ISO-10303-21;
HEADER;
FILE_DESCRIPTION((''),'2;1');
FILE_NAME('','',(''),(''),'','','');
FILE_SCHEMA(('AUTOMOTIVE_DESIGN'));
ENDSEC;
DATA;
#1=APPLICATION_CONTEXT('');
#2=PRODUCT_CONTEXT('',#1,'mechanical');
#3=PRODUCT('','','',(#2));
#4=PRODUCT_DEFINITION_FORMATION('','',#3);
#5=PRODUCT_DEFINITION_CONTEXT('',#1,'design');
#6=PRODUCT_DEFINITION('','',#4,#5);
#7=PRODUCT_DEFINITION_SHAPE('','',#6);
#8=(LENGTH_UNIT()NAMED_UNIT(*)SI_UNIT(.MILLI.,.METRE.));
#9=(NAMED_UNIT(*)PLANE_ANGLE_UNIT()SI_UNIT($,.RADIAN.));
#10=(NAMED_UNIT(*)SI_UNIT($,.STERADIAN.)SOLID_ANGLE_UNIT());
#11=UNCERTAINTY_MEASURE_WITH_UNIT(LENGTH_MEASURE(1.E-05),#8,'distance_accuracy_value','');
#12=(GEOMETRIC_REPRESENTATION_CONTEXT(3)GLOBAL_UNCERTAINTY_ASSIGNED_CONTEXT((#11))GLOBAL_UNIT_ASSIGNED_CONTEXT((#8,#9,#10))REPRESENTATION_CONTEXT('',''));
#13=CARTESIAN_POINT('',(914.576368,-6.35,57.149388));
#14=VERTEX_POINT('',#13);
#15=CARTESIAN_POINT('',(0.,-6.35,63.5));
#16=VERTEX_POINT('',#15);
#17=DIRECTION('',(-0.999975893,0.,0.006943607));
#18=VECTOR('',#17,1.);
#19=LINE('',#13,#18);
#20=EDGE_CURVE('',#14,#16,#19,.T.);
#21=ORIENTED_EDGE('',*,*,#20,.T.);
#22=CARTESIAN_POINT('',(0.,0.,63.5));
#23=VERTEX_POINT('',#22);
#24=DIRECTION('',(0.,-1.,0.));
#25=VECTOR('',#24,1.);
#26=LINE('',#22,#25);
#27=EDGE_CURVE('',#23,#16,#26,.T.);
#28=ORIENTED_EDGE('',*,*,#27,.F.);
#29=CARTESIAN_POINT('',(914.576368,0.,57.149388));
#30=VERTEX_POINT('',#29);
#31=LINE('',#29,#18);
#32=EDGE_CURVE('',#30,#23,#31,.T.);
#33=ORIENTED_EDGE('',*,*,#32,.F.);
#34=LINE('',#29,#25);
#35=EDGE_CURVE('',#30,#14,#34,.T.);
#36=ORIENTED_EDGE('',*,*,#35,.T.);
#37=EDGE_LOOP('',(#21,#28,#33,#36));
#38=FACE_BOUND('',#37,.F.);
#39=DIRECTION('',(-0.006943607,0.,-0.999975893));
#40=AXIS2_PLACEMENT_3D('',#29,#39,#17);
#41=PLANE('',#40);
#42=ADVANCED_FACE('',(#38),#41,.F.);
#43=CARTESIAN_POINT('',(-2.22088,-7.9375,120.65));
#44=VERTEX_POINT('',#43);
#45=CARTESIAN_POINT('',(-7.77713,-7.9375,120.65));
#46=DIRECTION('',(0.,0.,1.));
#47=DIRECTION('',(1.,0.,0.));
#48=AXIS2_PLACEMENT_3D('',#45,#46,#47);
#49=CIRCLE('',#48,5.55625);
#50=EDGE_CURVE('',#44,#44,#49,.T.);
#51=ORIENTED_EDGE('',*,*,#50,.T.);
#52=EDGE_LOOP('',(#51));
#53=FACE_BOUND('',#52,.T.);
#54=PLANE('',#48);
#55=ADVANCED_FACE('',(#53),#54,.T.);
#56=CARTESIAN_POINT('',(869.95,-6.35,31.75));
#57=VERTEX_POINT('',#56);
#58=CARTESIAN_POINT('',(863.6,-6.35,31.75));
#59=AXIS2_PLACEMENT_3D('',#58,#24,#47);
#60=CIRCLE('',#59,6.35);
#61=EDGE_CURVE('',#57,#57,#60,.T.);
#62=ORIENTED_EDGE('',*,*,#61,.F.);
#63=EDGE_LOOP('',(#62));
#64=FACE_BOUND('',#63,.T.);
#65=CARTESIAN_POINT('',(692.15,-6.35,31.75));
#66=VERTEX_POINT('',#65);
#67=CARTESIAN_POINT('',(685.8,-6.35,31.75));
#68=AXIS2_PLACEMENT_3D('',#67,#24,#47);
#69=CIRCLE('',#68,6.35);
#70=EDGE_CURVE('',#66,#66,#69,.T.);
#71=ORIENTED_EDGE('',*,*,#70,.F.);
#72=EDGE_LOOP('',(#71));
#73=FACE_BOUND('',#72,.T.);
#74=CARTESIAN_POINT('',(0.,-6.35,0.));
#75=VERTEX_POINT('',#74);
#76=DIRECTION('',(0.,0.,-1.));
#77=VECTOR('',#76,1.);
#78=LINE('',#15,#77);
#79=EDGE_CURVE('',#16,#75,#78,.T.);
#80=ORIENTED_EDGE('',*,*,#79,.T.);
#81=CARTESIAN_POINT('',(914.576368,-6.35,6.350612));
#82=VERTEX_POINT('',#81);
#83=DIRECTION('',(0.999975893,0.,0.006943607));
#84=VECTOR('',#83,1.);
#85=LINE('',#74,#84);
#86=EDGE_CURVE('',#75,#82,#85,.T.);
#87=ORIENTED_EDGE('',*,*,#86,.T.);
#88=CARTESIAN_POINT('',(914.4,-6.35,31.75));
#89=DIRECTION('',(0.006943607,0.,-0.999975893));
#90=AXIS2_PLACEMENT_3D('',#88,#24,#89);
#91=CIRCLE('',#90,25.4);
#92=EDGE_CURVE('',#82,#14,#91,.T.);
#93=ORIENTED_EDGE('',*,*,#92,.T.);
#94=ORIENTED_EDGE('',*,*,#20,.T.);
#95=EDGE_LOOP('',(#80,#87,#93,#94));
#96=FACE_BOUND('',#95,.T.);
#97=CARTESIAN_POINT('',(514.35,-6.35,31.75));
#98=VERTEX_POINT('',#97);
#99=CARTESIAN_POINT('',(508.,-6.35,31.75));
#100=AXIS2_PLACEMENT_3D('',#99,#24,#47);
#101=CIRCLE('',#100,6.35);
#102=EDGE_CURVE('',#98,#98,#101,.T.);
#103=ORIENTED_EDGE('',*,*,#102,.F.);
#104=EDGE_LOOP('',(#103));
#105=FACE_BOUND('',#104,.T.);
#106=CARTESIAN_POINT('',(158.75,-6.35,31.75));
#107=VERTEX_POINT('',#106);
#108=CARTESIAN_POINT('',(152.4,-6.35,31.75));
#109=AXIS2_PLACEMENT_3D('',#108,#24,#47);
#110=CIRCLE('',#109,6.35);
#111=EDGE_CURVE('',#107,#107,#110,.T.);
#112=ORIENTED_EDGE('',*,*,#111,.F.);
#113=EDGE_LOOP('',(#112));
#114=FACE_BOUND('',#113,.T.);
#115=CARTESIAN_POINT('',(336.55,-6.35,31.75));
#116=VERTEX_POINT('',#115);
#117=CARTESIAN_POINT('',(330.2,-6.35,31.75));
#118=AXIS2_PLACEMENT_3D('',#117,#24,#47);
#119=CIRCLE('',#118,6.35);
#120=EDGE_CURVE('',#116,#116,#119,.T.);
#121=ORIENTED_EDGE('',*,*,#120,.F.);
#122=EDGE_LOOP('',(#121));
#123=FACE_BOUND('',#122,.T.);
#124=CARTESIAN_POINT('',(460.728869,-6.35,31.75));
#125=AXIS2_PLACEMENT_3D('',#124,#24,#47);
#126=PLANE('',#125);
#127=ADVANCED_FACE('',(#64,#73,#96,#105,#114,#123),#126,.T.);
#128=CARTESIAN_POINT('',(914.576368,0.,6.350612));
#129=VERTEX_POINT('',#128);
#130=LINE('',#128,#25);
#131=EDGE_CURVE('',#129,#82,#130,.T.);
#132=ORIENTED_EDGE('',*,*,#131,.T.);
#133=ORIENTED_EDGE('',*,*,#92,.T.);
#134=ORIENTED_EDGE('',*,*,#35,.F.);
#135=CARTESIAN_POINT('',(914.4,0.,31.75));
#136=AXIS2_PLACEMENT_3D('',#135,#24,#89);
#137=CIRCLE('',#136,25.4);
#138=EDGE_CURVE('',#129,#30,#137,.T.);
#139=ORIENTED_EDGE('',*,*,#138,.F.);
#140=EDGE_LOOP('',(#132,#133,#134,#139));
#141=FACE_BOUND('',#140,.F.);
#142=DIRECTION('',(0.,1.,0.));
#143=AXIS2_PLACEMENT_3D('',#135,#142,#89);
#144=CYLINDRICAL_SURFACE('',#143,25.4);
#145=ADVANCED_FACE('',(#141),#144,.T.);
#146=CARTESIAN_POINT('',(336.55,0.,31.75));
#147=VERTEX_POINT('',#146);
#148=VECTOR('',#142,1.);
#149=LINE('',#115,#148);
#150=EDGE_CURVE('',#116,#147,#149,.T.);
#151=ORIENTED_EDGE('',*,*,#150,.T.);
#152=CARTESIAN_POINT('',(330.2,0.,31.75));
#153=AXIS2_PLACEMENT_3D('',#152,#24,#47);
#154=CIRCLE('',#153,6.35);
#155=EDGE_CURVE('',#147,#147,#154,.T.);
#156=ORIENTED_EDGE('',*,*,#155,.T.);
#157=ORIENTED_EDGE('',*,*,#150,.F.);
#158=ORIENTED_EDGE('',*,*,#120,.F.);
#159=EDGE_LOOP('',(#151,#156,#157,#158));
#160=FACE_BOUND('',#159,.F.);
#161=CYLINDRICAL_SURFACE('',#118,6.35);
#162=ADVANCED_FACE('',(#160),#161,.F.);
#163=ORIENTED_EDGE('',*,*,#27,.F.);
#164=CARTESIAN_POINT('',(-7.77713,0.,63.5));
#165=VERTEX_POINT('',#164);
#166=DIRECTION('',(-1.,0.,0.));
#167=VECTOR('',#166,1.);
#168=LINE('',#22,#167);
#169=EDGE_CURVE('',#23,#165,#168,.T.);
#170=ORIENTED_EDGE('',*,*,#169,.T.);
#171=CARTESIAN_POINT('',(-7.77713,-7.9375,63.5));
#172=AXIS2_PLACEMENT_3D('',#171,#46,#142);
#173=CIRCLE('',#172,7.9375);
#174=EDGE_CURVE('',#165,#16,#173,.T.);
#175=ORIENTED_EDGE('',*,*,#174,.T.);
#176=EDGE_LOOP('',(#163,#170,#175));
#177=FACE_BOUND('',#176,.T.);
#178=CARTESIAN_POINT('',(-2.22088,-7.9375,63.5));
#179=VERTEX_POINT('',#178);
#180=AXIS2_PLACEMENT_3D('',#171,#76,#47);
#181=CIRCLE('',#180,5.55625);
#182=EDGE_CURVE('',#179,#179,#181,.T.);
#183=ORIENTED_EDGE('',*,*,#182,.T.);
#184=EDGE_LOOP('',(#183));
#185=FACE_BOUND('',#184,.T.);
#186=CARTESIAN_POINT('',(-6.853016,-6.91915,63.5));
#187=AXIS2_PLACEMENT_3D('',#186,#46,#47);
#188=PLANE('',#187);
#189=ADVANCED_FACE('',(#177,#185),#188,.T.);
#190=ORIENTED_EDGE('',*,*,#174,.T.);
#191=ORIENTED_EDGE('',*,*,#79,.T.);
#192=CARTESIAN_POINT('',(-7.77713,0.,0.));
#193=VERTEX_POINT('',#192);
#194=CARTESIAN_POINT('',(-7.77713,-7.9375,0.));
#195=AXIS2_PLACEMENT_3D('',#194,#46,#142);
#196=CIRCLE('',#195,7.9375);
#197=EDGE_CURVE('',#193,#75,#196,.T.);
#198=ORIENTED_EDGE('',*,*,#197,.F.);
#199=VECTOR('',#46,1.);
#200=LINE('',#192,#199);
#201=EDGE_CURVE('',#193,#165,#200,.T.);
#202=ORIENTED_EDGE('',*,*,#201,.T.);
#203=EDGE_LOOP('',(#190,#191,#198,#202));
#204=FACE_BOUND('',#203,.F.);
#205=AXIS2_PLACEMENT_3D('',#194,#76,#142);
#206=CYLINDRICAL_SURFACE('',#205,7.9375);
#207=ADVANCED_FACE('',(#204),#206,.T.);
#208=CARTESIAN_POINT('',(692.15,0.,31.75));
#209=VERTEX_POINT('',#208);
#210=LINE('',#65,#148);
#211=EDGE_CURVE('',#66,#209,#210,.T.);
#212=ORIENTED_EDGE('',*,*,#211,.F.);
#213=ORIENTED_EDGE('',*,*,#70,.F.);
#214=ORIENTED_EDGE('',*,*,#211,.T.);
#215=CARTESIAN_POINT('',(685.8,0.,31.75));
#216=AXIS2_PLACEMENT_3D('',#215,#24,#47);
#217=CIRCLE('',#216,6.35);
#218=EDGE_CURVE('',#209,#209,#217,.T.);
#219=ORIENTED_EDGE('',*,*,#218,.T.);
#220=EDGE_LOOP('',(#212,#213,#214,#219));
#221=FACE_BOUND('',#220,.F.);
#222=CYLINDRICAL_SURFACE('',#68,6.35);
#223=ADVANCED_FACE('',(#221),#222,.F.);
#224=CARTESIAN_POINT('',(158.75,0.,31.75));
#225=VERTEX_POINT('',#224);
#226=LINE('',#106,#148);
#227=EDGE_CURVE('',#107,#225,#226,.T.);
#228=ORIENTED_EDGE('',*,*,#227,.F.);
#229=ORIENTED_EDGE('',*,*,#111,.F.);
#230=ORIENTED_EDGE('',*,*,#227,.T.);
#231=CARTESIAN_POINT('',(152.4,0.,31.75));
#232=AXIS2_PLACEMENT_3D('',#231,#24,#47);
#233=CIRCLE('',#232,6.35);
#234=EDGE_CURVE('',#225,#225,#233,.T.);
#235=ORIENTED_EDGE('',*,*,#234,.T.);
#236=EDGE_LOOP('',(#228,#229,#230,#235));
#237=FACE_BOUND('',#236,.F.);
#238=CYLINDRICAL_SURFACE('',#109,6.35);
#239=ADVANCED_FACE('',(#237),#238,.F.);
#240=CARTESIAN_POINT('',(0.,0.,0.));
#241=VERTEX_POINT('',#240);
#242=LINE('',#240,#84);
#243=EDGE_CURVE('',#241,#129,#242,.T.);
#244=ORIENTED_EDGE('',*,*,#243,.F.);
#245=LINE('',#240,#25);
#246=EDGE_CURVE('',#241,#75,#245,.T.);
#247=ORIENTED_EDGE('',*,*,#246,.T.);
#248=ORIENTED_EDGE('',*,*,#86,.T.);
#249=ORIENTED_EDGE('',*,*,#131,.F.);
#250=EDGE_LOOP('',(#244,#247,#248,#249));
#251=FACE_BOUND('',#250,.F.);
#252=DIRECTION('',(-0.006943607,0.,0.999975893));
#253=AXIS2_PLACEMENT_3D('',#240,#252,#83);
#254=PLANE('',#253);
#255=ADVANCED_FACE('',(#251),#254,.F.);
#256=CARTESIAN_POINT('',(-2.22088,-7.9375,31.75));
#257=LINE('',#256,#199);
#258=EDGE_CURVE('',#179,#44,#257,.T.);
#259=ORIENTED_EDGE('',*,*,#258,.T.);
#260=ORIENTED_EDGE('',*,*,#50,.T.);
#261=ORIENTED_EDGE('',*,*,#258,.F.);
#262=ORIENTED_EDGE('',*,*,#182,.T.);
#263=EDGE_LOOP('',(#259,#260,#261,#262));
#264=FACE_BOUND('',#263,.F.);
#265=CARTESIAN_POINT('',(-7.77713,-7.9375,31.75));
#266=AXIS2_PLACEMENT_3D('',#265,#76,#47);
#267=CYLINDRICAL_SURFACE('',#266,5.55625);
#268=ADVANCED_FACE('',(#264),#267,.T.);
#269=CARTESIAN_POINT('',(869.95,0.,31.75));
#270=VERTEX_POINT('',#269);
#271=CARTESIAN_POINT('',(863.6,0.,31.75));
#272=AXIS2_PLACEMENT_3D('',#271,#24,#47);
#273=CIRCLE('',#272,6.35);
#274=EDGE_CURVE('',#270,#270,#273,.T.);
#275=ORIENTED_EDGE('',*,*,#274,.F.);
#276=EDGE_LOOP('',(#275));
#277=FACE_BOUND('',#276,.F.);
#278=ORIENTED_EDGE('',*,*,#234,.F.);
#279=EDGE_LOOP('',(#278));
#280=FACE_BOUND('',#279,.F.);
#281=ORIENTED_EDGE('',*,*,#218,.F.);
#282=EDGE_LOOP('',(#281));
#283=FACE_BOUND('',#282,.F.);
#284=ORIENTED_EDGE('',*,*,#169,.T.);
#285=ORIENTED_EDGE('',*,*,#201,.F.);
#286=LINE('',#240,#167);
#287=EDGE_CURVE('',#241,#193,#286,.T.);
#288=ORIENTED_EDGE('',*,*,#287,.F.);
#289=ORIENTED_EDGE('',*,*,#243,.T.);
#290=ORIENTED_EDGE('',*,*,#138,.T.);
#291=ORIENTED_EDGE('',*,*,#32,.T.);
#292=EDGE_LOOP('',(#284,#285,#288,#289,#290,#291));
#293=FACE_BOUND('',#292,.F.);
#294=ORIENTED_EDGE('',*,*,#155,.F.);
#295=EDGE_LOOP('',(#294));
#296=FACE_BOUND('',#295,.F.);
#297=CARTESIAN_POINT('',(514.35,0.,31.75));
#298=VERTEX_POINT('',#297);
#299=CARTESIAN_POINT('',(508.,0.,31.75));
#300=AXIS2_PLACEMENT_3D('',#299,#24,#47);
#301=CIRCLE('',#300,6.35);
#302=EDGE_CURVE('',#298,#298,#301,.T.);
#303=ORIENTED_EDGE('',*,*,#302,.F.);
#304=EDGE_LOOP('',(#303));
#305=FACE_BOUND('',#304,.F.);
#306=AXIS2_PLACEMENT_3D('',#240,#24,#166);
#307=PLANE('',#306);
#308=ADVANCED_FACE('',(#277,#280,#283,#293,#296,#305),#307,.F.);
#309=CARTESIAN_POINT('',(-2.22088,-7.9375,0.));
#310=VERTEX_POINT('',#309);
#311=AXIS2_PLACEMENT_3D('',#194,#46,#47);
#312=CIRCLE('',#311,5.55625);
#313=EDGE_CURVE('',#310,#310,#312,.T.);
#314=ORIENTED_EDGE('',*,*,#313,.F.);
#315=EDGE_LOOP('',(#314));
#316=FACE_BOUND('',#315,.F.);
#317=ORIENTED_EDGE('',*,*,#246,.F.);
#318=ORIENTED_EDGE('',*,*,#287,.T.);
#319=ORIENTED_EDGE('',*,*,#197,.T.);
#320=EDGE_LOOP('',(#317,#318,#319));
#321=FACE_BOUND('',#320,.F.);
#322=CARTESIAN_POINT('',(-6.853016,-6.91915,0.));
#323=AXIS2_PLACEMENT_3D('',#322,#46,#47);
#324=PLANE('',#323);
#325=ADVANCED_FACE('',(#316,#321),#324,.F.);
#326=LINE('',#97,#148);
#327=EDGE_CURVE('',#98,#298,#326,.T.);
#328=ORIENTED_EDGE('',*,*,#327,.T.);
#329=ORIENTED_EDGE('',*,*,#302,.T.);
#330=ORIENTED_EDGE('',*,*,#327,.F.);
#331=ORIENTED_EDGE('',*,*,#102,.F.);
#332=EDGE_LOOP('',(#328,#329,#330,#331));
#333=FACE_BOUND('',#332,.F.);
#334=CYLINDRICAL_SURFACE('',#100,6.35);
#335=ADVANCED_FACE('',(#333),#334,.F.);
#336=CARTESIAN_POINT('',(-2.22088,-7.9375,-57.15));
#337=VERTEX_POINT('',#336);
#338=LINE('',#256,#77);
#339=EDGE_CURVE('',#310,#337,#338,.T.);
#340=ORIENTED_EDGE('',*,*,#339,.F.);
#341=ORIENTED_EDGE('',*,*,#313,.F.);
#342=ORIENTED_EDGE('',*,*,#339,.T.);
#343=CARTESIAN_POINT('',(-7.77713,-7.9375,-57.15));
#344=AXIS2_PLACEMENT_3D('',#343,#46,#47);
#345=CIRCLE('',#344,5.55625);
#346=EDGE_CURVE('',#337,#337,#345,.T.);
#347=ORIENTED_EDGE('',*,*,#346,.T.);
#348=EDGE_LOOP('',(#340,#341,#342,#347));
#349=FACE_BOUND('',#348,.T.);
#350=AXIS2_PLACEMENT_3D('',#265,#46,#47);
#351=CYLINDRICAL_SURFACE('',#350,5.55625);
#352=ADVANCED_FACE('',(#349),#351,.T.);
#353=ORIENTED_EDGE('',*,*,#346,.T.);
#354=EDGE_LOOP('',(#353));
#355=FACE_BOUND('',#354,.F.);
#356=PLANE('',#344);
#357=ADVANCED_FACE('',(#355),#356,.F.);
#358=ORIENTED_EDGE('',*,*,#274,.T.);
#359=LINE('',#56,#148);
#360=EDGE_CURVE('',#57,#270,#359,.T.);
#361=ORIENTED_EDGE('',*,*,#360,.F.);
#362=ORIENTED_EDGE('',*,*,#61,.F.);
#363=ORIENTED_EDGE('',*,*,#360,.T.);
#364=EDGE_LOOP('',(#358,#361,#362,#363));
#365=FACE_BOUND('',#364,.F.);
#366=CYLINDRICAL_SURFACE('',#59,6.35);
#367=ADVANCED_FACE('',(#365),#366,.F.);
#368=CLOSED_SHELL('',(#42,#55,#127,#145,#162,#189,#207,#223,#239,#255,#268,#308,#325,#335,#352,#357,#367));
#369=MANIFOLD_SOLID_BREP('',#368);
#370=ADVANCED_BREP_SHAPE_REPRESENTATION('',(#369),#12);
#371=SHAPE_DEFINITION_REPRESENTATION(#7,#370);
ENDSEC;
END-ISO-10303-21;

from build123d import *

# Parameters (mm, degrees)
F1_DEPTH      = 6.35
F3_DEPTH      = 63.5
F5_R          = 5.55625
F6_DEPTH      = 88.9
F6_DEPTH_BACK = 88.9
F7_R          = 6.35
F8_DEPTH      = 6.35


with BuildPart() as f1:
    # F0 (on Front) → F1 (new body)
    with BuildSketch(Plane.XZ):
        with BuildLine():
            Line((914.5763676277, 57.1493876788), (0, 63.5))
            Line((0, 63.5), (0, 0))
            Line((0, 0), (914.5763676277, 6.3506123212))
            ThreePointArc((914.5763676277, 6.3506123212), (939.8, 31.75), (914.5763676277, 57.1493876788))
        make_face()
    extrude(amount=F1_DEPTH)

    # F2 (on Top) → F3 (join)
    with BuildSketch(Plane.XY):
        with BuildLine():
            Line((0, 0), (-7.7771299333, 0))
            ThreePointArc((-7.7771299333, 0), (-12.7972457189, -14.0858610621), (0, -6.35))
            Line((0, -6.35), (0, 0))
        make_face()
    extrude(amount=F3_DEPTH)

    # F5 (on mid) → F6 (join, two sides)
    with BuildSketch(Plane.XY.offset(31.75)) as f6_sk:
        with Locations((-7.7771299333, -7.9375)):
            Circle(F5_R)
    extrude(amount=F6_DEPTH)
    extrude(f6_sk.sketch, amount=-F6_DEPTH_BACK)

    # F7 (on face) → F8 (cut, through all)
    with BuildSketch(Plane.XZ.offset(6.35)):
        with Locations((152.4, 31.75)):
            Circle(F7_R)
        with Locations((330.2, 31.75)):
            Circle(F7_R)
        with Locations((508, 31.75)):
            Circle(F7_R)
        with Locations((685.8, 31.75)):
            Circle(F7_R)
        with Locations((863.6, 31.75)):
            Circle(F7_R)
    extrude(amount=-F8_DEPTH, mode=Mode.SUBTRACT)


solid = f1.part
